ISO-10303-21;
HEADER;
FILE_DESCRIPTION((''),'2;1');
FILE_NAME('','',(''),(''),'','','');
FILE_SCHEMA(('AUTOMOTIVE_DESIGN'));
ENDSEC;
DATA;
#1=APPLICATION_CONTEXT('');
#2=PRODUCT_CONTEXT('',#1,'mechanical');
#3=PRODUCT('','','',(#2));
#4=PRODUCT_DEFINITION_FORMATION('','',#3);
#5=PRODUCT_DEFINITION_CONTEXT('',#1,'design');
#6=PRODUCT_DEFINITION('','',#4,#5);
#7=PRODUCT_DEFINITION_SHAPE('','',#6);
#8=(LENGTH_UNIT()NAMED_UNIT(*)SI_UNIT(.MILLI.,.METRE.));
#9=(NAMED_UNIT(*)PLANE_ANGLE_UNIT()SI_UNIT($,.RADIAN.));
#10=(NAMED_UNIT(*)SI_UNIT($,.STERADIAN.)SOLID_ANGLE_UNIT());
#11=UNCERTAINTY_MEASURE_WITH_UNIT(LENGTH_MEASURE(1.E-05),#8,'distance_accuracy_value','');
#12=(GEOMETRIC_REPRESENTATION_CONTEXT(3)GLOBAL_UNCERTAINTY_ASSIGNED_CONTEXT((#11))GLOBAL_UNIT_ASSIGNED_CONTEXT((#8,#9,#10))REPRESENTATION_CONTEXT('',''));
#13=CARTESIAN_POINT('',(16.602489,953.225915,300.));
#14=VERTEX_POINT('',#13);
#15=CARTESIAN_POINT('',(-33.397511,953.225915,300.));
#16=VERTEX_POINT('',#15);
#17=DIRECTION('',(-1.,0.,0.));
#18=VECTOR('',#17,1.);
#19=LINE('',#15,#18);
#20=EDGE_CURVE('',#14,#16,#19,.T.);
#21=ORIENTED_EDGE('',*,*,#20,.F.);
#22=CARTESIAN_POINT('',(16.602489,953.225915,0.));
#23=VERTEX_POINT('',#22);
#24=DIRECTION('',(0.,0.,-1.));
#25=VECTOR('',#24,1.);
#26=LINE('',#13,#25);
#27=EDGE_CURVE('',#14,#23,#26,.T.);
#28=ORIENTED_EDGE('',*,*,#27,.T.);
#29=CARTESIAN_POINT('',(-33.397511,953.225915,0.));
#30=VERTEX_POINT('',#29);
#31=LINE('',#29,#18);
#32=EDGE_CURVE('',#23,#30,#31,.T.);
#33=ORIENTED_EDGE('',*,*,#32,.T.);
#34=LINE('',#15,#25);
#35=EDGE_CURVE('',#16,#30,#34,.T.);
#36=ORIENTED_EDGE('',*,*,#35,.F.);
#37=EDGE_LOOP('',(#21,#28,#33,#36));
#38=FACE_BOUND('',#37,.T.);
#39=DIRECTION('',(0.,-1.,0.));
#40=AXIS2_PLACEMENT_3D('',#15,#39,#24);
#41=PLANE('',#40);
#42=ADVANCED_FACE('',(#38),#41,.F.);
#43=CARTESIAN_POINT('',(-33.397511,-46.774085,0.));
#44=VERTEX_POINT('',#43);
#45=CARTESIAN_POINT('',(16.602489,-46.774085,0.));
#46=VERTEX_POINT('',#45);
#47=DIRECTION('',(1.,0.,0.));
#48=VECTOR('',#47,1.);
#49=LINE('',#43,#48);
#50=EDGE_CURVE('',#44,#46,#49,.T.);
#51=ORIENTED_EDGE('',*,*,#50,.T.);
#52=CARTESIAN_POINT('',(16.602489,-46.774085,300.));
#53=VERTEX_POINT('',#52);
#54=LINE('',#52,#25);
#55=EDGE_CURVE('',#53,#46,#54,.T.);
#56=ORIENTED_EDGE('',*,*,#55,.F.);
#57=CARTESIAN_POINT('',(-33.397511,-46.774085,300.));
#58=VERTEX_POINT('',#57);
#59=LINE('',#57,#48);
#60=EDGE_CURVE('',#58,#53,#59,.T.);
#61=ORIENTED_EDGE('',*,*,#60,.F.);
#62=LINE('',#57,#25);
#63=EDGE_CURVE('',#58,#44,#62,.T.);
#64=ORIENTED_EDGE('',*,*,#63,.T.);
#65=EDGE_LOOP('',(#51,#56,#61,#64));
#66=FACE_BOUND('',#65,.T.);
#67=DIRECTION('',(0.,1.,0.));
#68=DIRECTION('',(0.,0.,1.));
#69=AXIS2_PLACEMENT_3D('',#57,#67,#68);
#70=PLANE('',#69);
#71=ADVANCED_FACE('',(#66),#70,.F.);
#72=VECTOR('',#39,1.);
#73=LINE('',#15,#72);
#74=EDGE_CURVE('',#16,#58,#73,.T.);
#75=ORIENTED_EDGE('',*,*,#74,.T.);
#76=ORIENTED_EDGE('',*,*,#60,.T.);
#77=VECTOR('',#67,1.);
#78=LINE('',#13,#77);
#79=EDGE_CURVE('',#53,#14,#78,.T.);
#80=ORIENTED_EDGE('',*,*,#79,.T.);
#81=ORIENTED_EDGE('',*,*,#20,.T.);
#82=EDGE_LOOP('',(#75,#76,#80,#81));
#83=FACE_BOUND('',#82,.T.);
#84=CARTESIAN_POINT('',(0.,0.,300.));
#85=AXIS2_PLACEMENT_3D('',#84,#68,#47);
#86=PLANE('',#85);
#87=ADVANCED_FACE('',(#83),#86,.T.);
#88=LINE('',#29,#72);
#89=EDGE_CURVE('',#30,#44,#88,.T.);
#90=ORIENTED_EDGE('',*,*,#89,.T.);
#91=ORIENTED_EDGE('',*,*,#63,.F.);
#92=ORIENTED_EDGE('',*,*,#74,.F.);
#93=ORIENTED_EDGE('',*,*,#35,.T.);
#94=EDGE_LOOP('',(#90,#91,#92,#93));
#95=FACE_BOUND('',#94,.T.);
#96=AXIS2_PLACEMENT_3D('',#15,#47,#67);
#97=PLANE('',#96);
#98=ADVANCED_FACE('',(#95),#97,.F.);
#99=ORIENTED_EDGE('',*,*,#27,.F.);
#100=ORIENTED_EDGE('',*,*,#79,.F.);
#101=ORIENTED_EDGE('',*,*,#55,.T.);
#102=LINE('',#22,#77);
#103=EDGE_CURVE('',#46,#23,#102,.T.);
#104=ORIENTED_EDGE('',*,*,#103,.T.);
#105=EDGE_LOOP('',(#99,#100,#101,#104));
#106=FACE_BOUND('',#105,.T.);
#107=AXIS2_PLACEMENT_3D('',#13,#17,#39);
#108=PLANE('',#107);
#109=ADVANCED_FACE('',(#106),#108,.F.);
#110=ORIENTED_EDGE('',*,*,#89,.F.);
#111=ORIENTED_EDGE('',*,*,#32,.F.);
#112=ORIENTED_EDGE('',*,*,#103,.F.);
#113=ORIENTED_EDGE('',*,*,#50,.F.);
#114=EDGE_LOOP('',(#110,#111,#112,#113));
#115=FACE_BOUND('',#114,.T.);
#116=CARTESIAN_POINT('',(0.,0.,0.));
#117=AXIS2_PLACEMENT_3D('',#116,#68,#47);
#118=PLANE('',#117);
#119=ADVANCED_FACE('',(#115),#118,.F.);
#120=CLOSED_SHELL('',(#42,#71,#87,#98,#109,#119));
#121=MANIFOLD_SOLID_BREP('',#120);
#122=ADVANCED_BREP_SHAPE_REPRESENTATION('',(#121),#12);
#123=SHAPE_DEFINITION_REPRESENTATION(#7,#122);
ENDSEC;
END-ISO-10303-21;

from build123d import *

# Parameters (mm, degrees)
ESQUISSE1_W        = 50
ESQUISSE1_H        = 1000
BOSS_EXTRU_1_DEPTH = 300


with BuildPart() as part:
    # Esquisse1 → Boss.-Extru.1 (new body)
    with BuildSketch(Plane.XY):
        with Locations((-8.39751142, 453.225914994)):
            Rectangle(ESQUISSE1_W, ESQUISSE1_H)
    extrude(amount=BOSS_EXTRU_1_DEPTH)


solid = part.part
